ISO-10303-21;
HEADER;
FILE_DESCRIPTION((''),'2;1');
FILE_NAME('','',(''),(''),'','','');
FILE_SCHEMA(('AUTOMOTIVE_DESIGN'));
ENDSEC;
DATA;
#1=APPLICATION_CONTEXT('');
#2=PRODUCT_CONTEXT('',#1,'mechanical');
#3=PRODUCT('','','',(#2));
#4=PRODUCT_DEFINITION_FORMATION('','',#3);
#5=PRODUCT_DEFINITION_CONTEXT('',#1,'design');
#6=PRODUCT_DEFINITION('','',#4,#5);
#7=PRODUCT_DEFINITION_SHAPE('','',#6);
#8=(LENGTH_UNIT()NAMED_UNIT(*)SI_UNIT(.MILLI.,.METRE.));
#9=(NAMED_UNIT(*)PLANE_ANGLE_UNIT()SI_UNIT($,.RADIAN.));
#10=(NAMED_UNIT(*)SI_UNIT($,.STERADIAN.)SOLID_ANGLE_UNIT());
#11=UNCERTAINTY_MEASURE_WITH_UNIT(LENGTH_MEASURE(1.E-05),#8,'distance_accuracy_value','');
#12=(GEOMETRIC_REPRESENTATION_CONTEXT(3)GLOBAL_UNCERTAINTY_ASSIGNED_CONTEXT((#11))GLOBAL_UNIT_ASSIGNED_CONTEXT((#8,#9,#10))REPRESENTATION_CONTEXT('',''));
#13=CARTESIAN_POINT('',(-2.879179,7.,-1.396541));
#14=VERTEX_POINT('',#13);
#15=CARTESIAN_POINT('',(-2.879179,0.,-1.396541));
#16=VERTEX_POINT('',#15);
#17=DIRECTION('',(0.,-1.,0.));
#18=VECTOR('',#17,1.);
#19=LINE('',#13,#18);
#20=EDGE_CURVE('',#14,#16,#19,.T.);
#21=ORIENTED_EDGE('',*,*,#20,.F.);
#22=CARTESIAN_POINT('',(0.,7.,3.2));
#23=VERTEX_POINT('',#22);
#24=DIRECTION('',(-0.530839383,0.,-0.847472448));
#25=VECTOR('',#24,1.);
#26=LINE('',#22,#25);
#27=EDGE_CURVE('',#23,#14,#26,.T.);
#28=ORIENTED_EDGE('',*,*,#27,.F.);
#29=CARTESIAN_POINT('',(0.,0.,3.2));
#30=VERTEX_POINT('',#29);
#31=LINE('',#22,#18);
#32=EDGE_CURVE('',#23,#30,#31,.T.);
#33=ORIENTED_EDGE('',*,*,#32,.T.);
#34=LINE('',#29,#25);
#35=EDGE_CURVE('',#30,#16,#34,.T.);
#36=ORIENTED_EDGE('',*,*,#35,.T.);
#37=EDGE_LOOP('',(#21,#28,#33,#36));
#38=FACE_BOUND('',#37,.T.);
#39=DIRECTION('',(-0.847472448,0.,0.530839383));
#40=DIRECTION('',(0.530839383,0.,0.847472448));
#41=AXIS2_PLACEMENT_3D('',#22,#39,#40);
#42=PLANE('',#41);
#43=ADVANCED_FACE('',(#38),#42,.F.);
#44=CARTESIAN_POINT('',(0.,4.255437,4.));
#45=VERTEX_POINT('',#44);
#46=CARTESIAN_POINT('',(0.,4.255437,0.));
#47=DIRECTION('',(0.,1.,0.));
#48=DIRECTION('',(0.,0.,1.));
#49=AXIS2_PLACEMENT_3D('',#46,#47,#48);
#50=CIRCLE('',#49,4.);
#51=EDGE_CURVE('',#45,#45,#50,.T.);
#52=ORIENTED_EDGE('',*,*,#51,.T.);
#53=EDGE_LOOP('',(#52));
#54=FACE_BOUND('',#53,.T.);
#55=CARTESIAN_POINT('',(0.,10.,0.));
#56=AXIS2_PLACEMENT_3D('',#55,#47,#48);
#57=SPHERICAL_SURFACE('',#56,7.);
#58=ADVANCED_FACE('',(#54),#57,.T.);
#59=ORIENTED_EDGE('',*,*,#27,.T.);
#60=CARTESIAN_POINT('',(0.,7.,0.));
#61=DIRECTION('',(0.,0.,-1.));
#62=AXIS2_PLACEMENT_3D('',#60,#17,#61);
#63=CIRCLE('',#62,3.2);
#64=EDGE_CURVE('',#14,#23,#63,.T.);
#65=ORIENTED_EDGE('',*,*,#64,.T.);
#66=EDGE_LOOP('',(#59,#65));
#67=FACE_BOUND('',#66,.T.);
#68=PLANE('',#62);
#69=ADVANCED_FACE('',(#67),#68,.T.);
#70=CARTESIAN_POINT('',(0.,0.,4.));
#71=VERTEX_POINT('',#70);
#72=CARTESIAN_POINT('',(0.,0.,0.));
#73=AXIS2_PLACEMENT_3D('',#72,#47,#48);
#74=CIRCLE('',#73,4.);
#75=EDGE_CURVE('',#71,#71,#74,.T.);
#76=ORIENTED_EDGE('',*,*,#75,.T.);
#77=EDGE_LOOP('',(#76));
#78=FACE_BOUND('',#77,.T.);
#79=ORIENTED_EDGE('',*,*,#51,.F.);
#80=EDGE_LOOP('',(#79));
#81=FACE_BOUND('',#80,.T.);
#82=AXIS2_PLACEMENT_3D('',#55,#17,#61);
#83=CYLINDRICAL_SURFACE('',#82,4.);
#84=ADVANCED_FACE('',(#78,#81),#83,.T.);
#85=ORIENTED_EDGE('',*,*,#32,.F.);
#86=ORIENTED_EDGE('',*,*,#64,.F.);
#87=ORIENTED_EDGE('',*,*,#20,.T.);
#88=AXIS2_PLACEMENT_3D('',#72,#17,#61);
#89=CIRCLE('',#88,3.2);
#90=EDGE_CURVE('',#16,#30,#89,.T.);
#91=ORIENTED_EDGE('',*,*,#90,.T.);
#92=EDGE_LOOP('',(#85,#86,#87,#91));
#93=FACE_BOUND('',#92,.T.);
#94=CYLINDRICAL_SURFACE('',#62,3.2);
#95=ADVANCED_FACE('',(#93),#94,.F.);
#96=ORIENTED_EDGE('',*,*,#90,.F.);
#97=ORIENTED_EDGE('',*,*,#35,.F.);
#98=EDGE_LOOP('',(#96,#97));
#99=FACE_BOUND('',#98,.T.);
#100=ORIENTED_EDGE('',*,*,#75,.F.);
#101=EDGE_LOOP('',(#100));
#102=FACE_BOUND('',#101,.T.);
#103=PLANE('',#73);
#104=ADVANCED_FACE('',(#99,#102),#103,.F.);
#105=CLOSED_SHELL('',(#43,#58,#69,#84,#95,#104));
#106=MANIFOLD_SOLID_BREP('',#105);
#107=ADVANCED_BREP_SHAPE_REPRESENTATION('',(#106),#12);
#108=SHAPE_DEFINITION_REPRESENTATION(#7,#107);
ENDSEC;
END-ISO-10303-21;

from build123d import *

# Parameters (mm, degrees)
SKETCH_1_R          = 4
EXTRUDE_1_DEPTH     = 10
CUT_EXTRUDE_1_DEPTH = 7


with BuildPart() as part:
    # 草图1 → 凸台-拉伸1 (new body)
    with BuildSketch(Plane(origin=(0, 0, 0), x_dir=(1, 0, 0), z_dir=(0, 1, 0))):
        with Locations(Location((0, 0, 0), (0, 0, 270))):
            Circle(SKETCH_1_R)
    extrude(amount=EXTRUDE_1_DEPTH)

    # 草图2 → 旋转1 (revolve)
    with BuildSketch(Plane(origin=(0, 10, 0), x_dir=(1, 0, 0), z_dir=(0, 1, 0))):
        with BuildLine():
            Line((0, 7), (0, -7))
            ThreePointArc((0, -7), (7, 0), (0, 7))
        make_face()
    revolve(axis=Axis((0, 10, -7), (0, 0, 1)))

    # 草图3 → 切除-拉伸1 (cut)
    with BuildSketch(Plane.XZ):
        with BuildLine():
            Line((0, 3.2), (-2.879179207, -1.396541118))
            ThreePointArc((-2.879179207, -1.396541118), (2.711911833, -1.698686025), (0, 3.2))
        make_face()
    extrude(amount=-CUT_EXTRUDE_1_DEPTH, mode=Mode.SUBTRACT)


solid = part.part
